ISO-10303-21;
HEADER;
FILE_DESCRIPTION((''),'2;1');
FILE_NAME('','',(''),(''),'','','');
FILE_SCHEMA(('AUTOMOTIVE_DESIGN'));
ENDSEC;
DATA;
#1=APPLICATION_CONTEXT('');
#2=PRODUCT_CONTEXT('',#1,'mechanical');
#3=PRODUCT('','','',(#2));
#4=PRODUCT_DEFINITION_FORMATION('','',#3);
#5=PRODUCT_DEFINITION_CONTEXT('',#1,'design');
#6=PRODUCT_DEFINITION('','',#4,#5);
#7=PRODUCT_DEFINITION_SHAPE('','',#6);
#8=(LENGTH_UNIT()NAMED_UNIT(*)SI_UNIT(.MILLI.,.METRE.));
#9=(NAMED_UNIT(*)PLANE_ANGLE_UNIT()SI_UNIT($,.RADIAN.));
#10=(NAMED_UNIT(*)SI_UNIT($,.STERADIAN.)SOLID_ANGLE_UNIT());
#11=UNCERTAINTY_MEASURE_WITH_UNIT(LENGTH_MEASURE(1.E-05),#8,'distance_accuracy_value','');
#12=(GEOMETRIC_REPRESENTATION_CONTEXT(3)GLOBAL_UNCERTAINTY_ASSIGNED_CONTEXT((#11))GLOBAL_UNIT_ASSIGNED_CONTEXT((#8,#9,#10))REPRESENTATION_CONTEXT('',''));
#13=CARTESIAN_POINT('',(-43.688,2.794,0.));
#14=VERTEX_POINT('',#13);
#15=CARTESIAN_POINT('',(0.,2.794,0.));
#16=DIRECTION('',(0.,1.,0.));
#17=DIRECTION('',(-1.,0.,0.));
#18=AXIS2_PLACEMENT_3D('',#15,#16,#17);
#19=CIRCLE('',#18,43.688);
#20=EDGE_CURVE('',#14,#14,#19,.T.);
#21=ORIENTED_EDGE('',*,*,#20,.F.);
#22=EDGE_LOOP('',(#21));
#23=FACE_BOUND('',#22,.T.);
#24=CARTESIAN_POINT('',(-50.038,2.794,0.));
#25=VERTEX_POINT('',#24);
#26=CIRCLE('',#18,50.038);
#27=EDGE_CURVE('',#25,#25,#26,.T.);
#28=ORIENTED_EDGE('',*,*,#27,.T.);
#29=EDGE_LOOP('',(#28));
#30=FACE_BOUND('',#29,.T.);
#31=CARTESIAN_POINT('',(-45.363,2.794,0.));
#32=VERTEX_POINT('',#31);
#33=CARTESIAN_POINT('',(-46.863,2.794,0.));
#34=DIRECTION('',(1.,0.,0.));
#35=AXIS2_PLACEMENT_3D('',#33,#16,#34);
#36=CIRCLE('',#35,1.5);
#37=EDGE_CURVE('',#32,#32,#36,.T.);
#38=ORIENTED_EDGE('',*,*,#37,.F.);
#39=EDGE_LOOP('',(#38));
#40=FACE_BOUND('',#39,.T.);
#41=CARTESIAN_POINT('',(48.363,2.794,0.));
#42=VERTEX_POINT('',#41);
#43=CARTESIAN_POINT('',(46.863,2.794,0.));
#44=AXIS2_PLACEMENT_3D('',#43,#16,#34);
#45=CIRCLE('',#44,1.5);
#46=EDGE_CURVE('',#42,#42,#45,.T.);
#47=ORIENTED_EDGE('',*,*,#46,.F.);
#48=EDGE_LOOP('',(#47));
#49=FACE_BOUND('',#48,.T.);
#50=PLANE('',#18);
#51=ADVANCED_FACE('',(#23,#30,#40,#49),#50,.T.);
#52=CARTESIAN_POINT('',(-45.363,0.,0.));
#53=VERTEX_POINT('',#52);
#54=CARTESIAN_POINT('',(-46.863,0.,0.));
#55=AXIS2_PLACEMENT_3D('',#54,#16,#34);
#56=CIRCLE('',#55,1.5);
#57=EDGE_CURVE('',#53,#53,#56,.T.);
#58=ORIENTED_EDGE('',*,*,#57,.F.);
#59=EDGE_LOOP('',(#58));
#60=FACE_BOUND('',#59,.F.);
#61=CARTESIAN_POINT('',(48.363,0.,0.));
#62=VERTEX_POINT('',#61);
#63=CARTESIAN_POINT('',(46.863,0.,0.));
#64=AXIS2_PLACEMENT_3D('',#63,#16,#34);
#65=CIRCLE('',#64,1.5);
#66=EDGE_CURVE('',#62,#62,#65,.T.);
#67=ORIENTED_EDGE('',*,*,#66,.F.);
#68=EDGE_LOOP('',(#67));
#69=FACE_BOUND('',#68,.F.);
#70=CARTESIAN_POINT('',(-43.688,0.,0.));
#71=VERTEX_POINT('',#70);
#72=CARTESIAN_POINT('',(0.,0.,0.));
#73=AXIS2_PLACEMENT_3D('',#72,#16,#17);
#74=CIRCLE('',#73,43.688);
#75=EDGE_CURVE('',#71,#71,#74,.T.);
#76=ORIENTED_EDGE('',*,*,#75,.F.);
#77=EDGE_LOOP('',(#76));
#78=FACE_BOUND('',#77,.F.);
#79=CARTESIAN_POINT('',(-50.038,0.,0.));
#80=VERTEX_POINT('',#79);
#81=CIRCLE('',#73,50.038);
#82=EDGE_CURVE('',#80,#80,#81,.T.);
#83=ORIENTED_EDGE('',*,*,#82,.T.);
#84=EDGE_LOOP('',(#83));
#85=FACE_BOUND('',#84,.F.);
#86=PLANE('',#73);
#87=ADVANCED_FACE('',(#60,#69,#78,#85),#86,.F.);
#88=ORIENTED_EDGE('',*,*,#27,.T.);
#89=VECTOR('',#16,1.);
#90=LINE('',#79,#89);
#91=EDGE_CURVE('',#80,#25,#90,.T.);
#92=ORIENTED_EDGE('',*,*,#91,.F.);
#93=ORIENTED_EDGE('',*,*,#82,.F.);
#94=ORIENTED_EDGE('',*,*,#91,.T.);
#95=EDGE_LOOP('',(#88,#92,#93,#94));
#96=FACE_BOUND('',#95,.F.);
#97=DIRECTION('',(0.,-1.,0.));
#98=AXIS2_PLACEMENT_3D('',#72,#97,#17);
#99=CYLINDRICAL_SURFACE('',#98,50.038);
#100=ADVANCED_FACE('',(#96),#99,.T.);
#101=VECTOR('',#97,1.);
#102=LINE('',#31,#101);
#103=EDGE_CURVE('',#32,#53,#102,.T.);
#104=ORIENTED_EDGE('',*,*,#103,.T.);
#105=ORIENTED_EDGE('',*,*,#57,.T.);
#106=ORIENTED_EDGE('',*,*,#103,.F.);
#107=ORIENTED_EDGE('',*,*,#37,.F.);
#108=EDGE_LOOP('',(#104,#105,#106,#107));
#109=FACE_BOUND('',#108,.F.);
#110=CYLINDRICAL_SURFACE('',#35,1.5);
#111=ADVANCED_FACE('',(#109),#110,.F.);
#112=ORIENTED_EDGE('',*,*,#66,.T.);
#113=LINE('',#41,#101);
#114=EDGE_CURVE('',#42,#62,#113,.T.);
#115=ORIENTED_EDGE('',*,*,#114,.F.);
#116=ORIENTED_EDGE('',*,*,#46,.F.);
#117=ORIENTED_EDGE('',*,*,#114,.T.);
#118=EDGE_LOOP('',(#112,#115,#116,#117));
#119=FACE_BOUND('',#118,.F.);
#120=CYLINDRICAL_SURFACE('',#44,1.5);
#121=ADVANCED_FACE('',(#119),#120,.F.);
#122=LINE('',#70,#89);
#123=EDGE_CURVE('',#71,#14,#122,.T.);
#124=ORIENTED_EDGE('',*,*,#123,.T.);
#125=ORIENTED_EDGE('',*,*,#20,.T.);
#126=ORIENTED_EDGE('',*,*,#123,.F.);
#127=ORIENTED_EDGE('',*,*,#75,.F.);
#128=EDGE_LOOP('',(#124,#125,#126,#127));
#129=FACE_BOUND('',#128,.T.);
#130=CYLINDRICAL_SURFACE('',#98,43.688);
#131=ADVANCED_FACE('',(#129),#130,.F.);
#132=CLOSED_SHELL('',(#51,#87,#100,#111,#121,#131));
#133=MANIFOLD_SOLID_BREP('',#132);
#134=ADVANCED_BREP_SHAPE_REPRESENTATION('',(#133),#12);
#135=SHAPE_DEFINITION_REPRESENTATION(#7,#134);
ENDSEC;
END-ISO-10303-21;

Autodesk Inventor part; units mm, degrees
ref_plane "YZ Plane" through (0, 0, 0) normal (1, 0, 0) x (0, 1, 0)
ref_plane "XZ Plane" through (0, 0, 0) normal (0, 1, 0) x (-1, 0, 0)
ref_plane "XY Plane" through (0, 0, 0) normal (0, 0, 1) x (1, 0, 0)
sketch "Sketch1" plane through (0, 0, 0) normal (0, 1, 0) x (-1, 0, 0)
  circle A0 centre (0, 0) radius 43.688
  circle A1 centre (0, 0) radius 50.038
  dimension "d0" = 6.35
  dimension "d1" = 87.376
extrude "Extrusion1" add sketch "Sketch1" along normal blind 2.794
sketch "Sketch2" plane through (0, 2.794, 0) normal (0, 1, 0) x (1, 0, 0)
  circle A0 centre (-46.863, 0) radius 1.5
  circle A1 centre (46.863, 0) radius 1.5
  point P0 (0, 0)
  dimension "d4" = 3
  dimension "d5" = 3
  dimension "d6" = 46.863
  dimension "d7" = 46.863
extrude "Extrusion2" cut sketch "Sketch2" against normal blind 2.794
equation "\"d7\" = d6"
properties part number "Control board Ring Holder"
